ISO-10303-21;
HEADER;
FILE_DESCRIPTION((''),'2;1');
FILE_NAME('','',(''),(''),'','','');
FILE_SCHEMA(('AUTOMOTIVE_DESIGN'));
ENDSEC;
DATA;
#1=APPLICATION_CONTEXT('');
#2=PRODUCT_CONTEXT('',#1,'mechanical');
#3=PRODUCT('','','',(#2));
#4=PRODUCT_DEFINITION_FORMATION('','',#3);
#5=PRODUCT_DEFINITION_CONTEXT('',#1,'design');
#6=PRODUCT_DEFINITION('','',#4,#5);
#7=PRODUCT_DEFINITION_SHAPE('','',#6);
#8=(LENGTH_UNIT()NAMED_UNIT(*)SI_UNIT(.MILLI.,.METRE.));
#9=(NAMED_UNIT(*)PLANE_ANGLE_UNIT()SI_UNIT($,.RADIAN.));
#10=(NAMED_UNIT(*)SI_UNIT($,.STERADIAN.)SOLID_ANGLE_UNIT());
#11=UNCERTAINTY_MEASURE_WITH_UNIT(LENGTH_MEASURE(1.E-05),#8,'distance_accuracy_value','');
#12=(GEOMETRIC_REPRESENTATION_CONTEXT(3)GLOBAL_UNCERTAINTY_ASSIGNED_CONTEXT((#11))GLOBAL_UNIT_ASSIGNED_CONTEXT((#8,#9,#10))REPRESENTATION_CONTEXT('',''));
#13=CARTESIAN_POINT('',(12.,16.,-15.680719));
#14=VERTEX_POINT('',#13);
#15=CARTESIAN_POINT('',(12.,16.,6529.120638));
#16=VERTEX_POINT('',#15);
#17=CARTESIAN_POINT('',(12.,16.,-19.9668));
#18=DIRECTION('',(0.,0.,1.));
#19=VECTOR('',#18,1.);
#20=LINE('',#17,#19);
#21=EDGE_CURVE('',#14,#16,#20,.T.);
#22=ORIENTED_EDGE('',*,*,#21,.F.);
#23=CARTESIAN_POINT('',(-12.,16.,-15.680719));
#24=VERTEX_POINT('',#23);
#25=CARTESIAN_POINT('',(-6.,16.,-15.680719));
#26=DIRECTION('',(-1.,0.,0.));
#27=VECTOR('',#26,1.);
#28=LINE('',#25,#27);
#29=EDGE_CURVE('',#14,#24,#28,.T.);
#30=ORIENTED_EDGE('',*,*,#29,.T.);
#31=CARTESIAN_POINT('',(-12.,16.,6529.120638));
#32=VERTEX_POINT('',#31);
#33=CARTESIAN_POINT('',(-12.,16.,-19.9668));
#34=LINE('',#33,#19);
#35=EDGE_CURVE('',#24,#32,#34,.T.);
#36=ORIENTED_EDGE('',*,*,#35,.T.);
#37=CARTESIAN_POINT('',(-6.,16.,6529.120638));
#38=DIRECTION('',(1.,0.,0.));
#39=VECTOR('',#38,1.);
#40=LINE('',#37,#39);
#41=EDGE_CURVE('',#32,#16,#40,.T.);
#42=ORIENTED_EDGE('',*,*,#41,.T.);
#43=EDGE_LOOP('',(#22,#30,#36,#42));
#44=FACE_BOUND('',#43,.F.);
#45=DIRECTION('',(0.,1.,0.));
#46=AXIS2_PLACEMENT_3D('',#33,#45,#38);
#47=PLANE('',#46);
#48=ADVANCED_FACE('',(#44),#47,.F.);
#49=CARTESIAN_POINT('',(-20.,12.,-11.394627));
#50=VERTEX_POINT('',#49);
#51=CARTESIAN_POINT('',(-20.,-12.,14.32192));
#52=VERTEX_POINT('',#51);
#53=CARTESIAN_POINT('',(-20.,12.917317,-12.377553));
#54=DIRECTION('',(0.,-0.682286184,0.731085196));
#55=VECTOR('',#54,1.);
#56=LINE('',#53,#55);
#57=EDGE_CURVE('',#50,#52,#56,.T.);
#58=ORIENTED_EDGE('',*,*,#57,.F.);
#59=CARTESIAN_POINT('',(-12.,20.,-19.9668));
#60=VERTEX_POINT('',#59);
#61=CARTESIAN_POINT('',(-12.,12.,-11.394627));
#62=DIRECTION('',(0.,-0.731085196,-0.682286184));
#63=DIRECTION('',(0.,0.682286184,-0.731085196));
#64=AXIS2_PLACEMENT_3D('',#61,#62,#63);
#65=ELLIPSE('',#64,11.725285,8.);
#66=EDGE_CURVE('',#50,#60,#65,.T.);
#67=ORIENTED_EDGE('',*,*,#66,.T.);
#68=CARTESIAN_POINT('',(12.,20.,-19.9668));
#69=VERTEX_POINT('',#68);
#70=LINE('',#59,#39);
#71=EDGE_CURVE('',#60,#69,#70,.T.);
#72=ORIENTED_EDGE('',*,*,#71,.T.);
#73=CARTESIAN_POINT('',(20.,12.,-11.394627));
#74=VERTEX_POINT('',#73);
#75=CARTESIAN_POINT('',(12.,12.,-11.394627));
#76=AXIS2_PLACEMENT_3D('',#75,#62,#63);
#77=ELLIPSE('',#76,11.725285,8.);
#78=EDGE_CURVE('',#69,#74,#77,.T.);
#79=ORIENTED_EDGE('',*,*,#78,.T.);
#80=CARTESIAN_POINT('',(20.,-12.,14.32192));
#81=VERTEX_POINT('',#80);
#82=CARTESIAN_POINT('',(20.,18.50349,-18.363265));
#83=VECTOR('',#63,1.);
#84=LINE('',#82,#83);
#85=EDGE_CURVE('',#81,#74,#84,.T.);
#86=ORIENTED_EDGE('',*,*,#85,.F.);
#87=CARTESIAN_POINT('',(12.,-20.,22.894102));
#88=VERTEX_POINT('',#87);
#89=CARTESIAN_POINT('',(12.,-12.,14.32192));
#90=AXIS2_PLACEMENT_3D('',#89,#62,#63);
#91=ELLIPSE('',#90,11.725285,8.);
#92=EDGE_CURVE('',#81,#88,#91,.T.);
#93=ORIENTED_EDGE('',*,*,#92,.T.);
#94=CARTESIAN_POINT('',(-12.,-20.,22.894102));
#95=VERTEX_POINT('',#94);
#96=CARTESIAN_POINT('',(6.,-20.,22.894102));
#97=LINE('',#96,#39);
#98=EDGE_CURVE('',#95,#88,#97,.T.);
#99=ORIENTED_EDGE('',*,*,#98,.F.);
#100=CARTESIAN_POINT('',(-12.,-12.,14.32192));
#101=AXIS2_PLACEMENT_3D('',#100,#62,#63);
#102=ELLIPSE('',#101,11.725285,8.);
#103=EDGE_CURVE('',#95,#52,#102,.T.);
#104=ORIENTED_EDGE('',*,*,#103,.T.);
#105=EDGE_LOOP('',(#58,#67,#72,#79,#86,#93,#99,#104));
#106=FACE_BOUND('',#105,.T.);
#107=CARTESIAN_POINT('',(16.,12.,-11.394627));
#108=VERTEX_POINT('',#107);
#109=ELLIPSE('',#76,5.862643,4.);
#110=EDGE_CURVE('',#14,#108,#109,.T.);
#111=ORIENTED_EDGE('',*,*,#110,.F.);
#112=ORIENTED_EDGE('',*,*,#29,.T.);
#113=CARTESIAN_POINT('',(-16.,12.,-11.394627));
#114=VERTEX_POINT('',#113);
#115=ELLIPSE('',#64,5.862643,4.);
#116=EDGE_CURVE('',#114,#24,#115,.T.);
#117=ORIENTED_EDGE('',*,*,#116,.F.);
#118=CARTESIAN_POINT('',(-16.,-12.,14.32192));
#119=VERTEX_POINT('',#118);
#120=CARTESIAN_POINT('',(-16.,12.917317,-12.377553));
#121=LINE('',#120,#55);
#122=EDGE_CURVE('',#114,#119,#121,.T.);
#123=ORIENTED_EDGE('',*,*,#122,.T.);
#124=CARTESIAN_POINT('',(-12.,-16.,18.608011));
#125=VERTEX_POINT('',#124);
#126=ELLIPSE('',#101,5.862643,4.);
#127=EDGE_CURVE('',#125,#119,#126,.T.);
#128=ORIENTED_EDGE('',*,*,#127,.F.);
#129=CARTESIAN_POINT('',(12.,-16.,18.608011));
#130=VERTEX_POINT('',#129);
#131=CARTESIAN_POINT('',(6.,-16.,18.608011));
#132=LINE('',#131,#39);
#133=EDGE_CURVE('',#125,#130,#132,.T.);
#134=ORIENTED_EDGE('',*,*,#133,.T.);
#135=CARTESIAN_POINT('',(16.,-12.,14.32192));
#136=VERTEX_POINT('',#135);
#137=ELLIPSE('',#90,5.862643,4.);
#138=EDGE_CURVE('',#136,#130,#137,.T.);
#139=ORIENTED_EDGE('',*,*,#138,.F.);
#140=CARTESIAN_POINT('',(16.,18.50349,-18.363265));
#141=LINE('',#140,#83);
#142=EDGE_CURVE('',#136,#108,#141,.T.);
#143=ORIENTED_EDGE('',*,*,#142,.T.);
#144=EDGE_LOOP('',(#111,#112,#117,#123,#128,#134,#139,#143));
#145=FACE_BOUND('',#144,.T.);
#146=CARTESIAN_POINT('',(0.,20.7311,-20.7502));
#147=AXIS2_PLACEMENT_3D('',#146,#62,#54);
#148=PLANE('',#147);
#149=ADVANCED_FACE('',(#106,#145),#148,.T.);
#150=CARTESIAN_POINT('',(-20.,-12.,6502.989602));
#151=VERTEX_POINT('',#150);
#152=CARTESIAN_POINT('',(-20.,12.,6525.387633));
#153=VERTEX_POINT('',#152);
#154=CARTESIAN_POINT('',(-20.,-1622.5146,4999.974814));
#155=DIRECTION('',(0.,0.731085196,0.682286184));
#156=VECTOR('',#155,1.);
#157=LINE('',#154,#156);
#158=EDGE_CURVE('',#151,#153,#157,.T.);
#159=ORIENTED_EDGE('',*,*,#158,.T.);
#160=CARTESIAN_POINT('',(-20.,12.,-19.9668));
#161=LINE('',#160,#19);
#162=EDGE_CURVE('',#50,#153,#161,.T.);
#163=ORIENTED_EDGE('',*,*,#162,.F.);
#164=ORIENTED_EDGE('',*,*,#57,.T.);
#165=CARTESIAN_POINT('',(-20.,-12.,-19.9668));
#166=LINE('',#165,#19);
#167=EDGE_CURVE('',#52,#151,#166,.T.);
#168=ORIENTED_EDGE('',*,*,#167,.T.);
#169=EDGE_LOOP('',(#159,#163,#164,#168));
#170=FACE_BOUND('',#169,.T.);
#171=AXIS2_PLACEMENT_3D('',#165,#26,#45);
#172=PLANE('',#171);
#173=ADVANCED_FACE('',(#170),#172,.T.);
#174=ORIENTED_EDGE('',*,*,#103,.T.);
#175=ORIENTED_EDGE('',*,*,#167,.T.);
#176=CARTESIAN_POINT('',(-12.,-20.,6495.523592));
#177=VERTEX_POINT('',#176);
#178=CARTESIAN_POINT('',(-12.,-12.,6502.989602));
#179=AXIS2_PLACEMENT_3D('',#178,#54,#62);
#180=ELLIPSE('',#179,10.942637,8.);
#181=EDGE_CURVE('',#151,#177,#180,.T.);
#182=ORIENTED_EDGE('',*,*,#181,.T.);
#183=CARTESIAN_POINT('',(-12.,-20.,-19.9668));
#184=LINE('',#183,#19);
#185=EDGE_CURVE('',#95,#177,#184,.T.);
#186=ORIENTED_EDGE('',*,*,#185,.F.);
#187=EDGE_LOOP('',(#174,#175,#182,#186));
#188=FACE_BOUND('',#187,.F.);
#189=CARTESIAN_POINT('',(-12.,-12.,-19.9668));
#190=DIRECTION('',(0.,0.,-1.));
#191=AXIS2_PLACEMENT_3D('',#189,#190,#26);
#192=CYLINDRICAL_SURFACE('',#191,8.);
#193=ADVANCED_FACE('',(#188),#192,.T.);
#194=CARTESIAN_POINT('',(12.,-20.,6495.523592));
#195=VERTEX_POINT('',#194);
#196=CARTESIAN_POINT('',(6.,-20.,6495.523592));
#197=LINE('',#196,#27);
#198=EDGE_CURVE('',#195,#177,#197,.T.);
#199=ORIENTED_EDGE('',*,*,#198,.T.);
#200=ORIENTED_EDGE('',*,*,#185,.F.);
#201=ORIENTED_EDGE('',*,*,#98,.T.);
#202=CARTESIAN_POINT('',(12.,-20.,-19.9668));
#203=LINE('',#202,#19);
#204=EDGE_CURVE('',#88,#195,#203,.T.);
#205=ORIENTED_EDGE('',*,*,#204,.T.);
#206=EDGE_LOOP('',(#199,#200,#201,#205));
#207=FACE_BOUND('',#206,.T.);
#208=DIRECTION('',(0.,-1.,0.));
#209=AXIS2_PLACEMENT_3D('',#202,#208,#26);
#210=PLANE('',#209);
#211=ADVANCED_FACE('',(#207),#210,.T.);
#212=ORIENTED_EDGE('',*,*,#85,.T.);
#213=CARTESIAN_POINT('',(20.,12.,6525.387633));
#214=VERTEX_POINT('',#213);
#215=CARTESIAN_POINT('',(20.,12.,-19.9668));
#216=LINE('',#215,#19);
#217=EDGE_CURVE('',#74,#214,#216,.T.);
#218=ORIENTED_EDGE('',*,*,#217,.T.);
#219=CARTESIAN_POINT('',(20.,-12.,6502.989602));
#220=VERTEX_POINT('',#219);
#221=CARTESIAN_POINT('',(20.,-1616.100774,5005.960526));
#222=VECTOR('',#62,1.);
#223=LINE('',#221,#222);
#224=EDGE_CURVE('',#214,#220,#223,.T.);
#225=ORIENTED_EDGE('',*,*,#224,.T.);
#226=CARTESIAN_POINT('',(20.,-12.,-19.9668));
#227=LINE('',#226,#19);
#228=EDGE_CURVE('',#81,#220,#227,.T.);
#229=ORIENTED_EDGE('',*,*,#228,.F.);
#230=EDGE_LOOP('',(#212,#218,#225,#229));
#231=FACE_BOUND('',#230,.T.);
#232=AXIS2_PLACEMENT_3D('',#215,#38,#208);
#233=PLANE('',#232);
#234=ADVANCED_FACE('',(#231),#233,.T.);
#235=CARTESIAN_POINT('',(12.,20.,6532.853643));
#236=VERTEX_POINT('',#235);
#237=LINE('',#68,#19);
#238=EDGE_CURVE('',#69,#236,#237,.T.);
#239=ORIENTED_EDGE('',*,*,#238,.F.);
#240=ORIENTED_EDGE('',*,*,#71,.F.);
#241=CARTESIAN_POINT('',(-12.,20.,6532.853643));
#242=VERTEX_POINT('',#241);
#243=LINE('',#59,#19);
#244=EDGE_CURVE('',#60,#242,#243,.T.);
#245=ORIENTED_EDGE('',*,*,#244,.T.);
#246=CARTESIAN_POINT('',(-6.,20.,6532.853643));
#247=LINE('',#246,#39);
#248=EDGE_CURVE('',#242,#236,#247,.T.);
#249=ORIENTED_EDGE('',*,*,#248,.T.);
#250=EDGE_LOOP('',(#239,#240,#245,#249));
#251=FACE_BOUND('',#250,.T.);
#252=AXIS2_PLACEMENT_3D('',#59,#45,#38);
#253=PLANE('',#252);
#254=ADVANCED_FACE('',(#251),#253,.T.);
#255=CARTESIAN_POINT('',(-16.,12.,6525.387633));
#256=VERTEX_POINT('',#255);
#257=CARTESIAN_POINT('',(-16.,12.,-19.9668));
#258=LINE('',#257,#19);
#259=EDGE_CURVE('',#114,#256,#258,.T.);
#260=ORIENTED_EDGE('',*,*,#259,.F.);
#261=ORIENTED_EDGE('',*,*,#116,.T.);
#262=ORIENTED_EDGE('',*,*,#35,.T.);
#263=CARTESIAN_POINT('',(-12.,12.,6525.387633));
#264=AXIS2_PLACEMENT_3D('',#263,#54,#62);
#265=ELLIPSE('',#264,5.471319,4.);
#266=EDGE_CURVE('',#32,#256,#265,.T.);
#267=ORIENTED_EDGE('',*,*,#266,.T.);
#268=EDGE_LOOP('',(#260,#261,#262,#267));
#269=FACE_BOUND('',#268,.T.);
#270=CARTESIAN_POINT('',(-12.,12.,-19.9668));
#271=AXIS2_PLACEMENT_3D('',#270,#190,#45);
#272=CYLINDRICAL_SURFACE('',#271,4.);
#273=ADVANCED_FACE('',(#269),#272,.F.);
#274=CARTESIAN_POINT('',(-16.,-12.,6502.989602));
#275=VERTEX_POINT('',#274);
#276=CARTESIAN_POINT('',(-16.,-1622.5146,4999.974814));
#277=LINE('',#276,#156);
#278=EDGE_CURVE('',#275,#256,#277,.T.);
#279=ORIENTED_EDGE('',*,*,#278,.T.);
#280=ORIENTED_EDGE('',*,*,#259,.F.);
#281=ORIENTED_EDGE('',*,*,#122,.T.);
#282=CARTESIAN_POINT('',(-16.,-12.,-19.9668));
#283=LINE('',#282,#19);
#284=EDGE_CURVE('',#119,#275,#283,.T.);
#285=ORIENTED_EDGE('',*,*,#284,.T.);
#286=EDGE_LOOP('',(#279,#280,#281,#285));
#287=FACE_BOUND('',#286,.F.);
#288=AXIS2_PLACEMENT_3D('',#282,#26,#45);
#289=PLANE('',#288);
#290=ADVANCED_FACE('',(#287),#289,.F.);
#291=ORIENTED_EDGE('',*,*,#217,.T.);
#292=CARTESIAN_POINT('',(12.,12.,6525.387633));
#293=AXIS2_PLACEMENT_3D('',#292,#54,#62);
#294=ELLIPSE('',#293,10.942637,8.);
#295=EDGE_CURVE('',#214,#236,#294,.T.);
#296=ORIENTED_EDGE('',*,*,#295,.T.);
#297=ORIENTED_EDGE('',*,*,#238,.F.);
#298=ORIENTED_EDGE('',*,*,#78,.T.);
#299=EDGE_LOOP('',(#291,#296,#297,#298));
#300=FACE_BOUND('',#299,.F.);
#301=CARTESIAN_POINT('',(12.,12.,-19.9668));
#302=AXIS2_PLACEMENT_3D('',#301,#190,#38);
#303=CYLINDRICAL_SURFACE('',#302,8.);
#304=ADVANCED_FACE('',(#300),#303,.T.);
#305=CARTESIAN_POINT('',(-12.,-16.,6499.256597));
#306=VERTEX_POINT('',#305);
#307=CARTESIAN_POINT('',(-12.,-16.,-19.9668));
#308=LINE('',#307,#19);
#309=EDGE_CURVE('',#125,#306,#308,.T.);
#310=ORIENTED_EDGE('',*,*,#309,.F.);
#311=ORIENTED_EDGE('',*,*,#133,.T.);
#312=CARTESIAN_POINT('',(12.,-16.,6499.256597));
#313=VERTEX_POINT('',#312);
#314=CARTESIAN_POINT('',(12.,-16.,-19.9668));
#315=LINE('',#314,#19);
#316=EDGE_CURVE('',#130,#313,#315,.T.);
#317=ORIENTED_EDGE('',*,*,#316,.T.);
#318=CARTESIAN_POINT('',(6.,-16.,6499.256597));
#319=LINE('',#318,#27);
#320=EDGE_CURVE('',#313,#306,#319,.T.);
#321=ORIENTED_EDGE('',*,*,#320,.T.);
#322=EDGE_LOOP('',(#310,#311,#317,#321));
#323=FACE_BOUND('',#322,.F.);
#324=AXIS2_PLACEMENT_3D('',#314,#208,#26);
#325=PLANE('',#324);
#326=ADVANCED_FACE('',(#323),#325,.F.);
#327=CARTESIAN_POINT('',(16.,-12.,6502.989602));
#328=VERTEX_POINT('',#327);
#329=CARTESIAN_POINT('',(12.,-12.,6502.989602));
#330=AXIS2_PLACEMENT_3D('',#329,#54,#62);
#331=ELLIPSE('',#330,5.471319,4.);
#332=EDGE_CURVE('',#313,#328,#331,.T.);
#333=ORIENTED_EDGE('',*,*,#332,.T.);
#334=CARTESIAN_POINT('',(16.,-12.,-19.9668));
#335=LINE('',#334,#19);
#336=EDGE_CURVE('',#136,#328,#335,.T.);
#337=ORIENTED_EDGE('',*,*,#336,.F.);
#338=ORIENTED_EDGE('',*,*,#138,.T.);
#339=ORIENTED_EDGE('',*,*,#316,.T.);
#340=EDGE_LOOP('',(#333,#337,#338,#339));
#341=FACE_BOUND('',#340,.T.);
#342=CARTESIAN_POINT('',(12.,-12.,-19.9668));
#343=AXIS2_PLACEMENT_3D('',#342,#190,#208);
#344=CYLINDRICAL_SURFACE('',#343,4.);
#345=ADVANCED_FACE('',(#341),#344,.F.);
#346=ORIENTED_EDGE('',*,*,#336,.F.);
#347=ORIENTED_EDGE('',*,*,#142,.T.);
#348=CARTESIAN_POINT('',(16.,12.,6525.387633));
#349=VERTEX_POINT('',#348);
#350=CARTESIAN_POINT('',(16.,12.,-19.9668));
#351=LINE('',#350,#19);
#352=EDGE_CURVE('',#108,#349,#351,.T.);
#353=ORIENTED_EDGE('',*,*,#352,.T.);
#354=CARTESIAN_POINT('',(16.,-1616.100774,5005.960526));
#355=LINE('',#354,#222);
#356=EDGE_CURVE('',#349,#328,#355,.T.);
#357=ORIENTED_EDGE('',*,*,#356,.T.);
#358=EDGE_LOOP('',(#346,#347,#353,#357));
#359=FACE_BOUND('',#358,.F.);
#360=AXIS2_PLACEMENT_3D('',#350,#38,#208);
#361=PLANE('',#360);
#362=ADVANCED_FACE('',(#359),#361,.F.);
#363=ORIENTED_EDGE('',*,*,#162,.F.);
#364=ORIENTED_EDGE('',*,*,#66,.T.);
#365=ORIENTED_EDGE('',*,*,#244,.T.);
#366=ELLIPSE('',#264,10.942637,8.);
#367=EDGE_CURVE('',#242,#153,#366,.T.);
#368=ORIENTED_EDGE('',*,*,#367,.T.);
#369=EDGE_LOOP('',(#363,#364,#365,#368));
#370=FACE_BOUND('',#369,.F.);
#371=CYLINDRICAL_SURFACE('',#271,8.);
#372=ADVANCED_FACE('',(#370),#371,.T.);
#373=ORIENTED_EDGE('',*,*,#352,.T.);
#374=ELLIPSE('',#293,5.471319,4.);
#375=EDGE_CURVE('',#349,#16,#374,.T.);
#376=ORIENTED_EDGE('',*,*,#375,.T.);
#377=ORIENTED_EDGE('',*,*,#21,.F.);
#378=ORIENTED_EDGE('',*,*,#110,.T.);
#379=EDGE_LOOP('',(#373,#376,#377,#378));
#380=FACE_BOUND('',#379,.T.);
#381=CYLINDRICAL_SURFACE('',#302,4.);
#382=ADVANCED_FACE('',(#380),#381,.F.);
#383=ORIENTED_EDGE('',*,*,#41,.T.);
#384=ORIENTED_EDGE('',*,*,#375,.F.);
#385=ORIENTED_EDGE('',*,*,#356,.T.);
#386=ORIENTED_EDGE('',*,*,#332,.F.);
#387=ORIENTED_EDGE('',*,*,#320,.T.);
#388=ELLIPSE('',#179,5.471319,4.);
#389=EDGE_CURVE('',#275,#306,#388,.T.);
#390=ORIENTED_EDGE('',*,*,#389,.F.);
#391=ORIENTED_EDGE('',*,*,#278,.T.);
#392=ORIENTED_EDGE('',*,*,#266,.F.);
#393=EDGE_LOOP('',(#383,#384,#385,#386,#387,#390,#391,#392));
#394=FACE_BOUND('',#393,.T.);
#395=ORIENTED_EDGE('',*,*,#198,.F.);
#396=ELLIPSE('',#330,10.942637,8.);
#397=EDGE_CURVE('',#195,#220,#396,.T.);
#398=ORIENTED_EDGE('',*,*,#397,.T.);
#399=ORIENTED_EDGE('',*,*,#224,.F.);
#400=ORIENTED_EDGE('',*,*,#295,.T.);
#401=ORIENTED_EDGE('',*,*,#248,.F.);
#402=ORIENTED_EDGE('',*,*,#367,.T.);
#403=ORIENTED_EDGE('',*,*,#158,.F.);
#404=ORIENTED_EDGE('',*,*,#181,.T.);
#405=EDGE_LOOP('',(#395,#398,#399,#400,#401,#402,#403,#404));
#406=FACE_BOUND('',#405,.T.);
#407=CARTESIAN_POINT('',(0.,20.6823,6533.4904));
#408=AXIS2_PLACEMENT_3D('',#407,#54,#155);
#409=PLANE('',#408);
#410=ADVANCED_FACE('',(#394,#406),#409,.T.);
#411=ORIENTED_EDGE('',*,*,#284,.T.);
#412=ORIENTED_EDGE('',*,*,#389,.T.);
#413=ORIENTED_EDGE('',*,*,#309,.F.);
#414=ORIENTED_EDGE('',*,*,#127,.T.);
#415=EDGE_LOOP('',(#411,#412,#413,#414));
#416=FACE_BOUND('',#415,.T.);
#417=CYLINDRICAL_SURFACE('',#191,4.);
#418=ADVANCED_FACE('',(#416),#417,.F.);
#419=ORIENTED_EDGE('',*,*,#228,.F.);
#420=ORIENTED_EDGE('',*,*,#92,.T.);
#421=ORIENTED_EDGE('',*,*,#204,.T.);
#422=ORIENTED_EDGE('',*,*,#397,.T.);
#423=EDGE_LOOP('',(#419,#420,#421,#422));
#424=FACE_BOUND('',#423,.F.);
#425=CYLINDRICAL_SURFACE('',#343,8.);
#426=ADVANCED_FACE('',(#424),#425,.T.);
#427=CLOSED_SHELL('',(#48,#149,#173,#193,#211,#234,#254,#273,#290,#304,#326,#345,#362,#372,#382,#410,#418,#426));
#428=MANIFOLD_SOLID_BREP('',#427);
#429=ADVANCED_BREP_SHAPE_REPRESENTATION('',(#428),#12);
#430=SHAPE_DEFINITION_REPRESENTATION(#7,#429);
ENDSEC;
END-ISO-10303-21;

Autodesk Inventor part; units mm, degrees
ref_plane "Start Plane" through (0, 0, -19.9668) normal (0, 0, 1) x (1, 0, 0)
ref_plane "End Plane" through (0, 0, 6532.8538) normal (0, 0, 1) x (1, 0, 0)
sketch "Sketch" plane through (0, 0, 0) normal (0, 0, 1) x (1, 0, 0)
  line L0 (-20, -12) -> (-20, 12)
  line L1 (-12, 20) -> (12, 20)
  line L2 (20, 12) -> (20, -12)
  line L3 (12, -20) -> (-12, -20)
  arc A0 (-20, -12) -> (-12, -20) centre (-12, -12) ccw
  arc A1 (20, 12) -> (12, 20) centre (12, 12) ccw
  arc A2 (-12, 20) -> (-20, 12) centre (-12, 12) ccw
  arc A3 (12, -20) -> (20, -12) centre (12, -12) ccw
  arc A4 (-12, 16) -> (-16, 12) centre (-12, 12) ccw
  line L4 (-12, 16) -> (12, 16)
  arc A5 (16, 12) -> (12, 16) centre (12, 12) ccw
  line L5 (16, 12) -> (16, -12)
  arc A6 (12, -16) -> (16, -12) centre (12, -12) ccw
  line L6 (12, -16) -> (-12, -16)
  arc A7 (-16, -12) -> (-12, -16) centre (-12, -12) ccw
  line L7 (-16, -12) -> (-16, 12)
  line L8 (0, 30.3196) -> (0, -30.3196) construction
  line L9 (-30.3196, 0) -> (30.3196, 0) construction
  dimension "d7" = 8
  dimension "d9" = 40
  dimension "d11" = 40
  dimension "d12" = 4
  dimension "d15" = 20
  dimension "d16" = 20
extrude "Body" add sketch "Sketch" along normal up to surface (6552.8205 mm away) from surface at -19.9668
sketch "Sketch3" plane through (0, 0, 0) normal (0, 0, 1) x (1, 0, 0)
  line L0 (0, 0) -> (10, 0)
ref_plane "Work Plane3" through (0, 0, 0) normal (0, -1, 0) x (1, 0, 0)
ref_plane "Work Plane4" through (0, 20.6823, 6533.4904) normal (0, -0.6823, 0.7311) x (1, 0, 0)
split "Split1" plane through (0, 20.6823, 6533.4904) removes the side toward (0, -0.6823, 0.7311)
ref_plane "Work Plane5" through (0, 20.7311, -20.7502) normal (0, -0.7311, -0.6823) x (1, 0, 0)
split "Split2" plane through (0, 20.7311, -20.7502) removes the side toward (0, -0.7311, -0.6823)
sketch "Sketch4" plane through (0, 0, 0) normal (0, -1, 0) x (1, 0, 0)
  line L0 (-2, -19.9668) -> (12, -19.9668) projected
  line L1 (-2, 6532.8538) -> (12, 6532.8538) projected
  dimension "d18" = 6552.8205
equation "\"d7\" = G_IR"
equation "\"d9\" = G_W"
equation "\"d11\" = G_H"
equation "\"d12\" = G_T"
equation "\"d15\" = 0.5 * d9"
equation "\"d16\" = 0.5 * d11"
equation "\"d3\" = G_L"
equation "\"G_W\" = 40"
equation "\"G_H\" = 40"
equation "\"G_T\" = 4"
equation "\"G_IR\" = 8"
equation "\"G_L\" = d18"
equation "\"G_OFFSET_START\" = 19.96675"
equation "\"G_OFFSET_END\" = 17.29549"
equation "\"d13\" = -G_OFFSET_START"
equation "\"d14\" = G_OFFSET_END + B_L"
equation "\"B_L\" = 6515.5583"
properties part number "ISO 10799-2 - 40x40x4 - 6552,82" material "Steel, Mild"
